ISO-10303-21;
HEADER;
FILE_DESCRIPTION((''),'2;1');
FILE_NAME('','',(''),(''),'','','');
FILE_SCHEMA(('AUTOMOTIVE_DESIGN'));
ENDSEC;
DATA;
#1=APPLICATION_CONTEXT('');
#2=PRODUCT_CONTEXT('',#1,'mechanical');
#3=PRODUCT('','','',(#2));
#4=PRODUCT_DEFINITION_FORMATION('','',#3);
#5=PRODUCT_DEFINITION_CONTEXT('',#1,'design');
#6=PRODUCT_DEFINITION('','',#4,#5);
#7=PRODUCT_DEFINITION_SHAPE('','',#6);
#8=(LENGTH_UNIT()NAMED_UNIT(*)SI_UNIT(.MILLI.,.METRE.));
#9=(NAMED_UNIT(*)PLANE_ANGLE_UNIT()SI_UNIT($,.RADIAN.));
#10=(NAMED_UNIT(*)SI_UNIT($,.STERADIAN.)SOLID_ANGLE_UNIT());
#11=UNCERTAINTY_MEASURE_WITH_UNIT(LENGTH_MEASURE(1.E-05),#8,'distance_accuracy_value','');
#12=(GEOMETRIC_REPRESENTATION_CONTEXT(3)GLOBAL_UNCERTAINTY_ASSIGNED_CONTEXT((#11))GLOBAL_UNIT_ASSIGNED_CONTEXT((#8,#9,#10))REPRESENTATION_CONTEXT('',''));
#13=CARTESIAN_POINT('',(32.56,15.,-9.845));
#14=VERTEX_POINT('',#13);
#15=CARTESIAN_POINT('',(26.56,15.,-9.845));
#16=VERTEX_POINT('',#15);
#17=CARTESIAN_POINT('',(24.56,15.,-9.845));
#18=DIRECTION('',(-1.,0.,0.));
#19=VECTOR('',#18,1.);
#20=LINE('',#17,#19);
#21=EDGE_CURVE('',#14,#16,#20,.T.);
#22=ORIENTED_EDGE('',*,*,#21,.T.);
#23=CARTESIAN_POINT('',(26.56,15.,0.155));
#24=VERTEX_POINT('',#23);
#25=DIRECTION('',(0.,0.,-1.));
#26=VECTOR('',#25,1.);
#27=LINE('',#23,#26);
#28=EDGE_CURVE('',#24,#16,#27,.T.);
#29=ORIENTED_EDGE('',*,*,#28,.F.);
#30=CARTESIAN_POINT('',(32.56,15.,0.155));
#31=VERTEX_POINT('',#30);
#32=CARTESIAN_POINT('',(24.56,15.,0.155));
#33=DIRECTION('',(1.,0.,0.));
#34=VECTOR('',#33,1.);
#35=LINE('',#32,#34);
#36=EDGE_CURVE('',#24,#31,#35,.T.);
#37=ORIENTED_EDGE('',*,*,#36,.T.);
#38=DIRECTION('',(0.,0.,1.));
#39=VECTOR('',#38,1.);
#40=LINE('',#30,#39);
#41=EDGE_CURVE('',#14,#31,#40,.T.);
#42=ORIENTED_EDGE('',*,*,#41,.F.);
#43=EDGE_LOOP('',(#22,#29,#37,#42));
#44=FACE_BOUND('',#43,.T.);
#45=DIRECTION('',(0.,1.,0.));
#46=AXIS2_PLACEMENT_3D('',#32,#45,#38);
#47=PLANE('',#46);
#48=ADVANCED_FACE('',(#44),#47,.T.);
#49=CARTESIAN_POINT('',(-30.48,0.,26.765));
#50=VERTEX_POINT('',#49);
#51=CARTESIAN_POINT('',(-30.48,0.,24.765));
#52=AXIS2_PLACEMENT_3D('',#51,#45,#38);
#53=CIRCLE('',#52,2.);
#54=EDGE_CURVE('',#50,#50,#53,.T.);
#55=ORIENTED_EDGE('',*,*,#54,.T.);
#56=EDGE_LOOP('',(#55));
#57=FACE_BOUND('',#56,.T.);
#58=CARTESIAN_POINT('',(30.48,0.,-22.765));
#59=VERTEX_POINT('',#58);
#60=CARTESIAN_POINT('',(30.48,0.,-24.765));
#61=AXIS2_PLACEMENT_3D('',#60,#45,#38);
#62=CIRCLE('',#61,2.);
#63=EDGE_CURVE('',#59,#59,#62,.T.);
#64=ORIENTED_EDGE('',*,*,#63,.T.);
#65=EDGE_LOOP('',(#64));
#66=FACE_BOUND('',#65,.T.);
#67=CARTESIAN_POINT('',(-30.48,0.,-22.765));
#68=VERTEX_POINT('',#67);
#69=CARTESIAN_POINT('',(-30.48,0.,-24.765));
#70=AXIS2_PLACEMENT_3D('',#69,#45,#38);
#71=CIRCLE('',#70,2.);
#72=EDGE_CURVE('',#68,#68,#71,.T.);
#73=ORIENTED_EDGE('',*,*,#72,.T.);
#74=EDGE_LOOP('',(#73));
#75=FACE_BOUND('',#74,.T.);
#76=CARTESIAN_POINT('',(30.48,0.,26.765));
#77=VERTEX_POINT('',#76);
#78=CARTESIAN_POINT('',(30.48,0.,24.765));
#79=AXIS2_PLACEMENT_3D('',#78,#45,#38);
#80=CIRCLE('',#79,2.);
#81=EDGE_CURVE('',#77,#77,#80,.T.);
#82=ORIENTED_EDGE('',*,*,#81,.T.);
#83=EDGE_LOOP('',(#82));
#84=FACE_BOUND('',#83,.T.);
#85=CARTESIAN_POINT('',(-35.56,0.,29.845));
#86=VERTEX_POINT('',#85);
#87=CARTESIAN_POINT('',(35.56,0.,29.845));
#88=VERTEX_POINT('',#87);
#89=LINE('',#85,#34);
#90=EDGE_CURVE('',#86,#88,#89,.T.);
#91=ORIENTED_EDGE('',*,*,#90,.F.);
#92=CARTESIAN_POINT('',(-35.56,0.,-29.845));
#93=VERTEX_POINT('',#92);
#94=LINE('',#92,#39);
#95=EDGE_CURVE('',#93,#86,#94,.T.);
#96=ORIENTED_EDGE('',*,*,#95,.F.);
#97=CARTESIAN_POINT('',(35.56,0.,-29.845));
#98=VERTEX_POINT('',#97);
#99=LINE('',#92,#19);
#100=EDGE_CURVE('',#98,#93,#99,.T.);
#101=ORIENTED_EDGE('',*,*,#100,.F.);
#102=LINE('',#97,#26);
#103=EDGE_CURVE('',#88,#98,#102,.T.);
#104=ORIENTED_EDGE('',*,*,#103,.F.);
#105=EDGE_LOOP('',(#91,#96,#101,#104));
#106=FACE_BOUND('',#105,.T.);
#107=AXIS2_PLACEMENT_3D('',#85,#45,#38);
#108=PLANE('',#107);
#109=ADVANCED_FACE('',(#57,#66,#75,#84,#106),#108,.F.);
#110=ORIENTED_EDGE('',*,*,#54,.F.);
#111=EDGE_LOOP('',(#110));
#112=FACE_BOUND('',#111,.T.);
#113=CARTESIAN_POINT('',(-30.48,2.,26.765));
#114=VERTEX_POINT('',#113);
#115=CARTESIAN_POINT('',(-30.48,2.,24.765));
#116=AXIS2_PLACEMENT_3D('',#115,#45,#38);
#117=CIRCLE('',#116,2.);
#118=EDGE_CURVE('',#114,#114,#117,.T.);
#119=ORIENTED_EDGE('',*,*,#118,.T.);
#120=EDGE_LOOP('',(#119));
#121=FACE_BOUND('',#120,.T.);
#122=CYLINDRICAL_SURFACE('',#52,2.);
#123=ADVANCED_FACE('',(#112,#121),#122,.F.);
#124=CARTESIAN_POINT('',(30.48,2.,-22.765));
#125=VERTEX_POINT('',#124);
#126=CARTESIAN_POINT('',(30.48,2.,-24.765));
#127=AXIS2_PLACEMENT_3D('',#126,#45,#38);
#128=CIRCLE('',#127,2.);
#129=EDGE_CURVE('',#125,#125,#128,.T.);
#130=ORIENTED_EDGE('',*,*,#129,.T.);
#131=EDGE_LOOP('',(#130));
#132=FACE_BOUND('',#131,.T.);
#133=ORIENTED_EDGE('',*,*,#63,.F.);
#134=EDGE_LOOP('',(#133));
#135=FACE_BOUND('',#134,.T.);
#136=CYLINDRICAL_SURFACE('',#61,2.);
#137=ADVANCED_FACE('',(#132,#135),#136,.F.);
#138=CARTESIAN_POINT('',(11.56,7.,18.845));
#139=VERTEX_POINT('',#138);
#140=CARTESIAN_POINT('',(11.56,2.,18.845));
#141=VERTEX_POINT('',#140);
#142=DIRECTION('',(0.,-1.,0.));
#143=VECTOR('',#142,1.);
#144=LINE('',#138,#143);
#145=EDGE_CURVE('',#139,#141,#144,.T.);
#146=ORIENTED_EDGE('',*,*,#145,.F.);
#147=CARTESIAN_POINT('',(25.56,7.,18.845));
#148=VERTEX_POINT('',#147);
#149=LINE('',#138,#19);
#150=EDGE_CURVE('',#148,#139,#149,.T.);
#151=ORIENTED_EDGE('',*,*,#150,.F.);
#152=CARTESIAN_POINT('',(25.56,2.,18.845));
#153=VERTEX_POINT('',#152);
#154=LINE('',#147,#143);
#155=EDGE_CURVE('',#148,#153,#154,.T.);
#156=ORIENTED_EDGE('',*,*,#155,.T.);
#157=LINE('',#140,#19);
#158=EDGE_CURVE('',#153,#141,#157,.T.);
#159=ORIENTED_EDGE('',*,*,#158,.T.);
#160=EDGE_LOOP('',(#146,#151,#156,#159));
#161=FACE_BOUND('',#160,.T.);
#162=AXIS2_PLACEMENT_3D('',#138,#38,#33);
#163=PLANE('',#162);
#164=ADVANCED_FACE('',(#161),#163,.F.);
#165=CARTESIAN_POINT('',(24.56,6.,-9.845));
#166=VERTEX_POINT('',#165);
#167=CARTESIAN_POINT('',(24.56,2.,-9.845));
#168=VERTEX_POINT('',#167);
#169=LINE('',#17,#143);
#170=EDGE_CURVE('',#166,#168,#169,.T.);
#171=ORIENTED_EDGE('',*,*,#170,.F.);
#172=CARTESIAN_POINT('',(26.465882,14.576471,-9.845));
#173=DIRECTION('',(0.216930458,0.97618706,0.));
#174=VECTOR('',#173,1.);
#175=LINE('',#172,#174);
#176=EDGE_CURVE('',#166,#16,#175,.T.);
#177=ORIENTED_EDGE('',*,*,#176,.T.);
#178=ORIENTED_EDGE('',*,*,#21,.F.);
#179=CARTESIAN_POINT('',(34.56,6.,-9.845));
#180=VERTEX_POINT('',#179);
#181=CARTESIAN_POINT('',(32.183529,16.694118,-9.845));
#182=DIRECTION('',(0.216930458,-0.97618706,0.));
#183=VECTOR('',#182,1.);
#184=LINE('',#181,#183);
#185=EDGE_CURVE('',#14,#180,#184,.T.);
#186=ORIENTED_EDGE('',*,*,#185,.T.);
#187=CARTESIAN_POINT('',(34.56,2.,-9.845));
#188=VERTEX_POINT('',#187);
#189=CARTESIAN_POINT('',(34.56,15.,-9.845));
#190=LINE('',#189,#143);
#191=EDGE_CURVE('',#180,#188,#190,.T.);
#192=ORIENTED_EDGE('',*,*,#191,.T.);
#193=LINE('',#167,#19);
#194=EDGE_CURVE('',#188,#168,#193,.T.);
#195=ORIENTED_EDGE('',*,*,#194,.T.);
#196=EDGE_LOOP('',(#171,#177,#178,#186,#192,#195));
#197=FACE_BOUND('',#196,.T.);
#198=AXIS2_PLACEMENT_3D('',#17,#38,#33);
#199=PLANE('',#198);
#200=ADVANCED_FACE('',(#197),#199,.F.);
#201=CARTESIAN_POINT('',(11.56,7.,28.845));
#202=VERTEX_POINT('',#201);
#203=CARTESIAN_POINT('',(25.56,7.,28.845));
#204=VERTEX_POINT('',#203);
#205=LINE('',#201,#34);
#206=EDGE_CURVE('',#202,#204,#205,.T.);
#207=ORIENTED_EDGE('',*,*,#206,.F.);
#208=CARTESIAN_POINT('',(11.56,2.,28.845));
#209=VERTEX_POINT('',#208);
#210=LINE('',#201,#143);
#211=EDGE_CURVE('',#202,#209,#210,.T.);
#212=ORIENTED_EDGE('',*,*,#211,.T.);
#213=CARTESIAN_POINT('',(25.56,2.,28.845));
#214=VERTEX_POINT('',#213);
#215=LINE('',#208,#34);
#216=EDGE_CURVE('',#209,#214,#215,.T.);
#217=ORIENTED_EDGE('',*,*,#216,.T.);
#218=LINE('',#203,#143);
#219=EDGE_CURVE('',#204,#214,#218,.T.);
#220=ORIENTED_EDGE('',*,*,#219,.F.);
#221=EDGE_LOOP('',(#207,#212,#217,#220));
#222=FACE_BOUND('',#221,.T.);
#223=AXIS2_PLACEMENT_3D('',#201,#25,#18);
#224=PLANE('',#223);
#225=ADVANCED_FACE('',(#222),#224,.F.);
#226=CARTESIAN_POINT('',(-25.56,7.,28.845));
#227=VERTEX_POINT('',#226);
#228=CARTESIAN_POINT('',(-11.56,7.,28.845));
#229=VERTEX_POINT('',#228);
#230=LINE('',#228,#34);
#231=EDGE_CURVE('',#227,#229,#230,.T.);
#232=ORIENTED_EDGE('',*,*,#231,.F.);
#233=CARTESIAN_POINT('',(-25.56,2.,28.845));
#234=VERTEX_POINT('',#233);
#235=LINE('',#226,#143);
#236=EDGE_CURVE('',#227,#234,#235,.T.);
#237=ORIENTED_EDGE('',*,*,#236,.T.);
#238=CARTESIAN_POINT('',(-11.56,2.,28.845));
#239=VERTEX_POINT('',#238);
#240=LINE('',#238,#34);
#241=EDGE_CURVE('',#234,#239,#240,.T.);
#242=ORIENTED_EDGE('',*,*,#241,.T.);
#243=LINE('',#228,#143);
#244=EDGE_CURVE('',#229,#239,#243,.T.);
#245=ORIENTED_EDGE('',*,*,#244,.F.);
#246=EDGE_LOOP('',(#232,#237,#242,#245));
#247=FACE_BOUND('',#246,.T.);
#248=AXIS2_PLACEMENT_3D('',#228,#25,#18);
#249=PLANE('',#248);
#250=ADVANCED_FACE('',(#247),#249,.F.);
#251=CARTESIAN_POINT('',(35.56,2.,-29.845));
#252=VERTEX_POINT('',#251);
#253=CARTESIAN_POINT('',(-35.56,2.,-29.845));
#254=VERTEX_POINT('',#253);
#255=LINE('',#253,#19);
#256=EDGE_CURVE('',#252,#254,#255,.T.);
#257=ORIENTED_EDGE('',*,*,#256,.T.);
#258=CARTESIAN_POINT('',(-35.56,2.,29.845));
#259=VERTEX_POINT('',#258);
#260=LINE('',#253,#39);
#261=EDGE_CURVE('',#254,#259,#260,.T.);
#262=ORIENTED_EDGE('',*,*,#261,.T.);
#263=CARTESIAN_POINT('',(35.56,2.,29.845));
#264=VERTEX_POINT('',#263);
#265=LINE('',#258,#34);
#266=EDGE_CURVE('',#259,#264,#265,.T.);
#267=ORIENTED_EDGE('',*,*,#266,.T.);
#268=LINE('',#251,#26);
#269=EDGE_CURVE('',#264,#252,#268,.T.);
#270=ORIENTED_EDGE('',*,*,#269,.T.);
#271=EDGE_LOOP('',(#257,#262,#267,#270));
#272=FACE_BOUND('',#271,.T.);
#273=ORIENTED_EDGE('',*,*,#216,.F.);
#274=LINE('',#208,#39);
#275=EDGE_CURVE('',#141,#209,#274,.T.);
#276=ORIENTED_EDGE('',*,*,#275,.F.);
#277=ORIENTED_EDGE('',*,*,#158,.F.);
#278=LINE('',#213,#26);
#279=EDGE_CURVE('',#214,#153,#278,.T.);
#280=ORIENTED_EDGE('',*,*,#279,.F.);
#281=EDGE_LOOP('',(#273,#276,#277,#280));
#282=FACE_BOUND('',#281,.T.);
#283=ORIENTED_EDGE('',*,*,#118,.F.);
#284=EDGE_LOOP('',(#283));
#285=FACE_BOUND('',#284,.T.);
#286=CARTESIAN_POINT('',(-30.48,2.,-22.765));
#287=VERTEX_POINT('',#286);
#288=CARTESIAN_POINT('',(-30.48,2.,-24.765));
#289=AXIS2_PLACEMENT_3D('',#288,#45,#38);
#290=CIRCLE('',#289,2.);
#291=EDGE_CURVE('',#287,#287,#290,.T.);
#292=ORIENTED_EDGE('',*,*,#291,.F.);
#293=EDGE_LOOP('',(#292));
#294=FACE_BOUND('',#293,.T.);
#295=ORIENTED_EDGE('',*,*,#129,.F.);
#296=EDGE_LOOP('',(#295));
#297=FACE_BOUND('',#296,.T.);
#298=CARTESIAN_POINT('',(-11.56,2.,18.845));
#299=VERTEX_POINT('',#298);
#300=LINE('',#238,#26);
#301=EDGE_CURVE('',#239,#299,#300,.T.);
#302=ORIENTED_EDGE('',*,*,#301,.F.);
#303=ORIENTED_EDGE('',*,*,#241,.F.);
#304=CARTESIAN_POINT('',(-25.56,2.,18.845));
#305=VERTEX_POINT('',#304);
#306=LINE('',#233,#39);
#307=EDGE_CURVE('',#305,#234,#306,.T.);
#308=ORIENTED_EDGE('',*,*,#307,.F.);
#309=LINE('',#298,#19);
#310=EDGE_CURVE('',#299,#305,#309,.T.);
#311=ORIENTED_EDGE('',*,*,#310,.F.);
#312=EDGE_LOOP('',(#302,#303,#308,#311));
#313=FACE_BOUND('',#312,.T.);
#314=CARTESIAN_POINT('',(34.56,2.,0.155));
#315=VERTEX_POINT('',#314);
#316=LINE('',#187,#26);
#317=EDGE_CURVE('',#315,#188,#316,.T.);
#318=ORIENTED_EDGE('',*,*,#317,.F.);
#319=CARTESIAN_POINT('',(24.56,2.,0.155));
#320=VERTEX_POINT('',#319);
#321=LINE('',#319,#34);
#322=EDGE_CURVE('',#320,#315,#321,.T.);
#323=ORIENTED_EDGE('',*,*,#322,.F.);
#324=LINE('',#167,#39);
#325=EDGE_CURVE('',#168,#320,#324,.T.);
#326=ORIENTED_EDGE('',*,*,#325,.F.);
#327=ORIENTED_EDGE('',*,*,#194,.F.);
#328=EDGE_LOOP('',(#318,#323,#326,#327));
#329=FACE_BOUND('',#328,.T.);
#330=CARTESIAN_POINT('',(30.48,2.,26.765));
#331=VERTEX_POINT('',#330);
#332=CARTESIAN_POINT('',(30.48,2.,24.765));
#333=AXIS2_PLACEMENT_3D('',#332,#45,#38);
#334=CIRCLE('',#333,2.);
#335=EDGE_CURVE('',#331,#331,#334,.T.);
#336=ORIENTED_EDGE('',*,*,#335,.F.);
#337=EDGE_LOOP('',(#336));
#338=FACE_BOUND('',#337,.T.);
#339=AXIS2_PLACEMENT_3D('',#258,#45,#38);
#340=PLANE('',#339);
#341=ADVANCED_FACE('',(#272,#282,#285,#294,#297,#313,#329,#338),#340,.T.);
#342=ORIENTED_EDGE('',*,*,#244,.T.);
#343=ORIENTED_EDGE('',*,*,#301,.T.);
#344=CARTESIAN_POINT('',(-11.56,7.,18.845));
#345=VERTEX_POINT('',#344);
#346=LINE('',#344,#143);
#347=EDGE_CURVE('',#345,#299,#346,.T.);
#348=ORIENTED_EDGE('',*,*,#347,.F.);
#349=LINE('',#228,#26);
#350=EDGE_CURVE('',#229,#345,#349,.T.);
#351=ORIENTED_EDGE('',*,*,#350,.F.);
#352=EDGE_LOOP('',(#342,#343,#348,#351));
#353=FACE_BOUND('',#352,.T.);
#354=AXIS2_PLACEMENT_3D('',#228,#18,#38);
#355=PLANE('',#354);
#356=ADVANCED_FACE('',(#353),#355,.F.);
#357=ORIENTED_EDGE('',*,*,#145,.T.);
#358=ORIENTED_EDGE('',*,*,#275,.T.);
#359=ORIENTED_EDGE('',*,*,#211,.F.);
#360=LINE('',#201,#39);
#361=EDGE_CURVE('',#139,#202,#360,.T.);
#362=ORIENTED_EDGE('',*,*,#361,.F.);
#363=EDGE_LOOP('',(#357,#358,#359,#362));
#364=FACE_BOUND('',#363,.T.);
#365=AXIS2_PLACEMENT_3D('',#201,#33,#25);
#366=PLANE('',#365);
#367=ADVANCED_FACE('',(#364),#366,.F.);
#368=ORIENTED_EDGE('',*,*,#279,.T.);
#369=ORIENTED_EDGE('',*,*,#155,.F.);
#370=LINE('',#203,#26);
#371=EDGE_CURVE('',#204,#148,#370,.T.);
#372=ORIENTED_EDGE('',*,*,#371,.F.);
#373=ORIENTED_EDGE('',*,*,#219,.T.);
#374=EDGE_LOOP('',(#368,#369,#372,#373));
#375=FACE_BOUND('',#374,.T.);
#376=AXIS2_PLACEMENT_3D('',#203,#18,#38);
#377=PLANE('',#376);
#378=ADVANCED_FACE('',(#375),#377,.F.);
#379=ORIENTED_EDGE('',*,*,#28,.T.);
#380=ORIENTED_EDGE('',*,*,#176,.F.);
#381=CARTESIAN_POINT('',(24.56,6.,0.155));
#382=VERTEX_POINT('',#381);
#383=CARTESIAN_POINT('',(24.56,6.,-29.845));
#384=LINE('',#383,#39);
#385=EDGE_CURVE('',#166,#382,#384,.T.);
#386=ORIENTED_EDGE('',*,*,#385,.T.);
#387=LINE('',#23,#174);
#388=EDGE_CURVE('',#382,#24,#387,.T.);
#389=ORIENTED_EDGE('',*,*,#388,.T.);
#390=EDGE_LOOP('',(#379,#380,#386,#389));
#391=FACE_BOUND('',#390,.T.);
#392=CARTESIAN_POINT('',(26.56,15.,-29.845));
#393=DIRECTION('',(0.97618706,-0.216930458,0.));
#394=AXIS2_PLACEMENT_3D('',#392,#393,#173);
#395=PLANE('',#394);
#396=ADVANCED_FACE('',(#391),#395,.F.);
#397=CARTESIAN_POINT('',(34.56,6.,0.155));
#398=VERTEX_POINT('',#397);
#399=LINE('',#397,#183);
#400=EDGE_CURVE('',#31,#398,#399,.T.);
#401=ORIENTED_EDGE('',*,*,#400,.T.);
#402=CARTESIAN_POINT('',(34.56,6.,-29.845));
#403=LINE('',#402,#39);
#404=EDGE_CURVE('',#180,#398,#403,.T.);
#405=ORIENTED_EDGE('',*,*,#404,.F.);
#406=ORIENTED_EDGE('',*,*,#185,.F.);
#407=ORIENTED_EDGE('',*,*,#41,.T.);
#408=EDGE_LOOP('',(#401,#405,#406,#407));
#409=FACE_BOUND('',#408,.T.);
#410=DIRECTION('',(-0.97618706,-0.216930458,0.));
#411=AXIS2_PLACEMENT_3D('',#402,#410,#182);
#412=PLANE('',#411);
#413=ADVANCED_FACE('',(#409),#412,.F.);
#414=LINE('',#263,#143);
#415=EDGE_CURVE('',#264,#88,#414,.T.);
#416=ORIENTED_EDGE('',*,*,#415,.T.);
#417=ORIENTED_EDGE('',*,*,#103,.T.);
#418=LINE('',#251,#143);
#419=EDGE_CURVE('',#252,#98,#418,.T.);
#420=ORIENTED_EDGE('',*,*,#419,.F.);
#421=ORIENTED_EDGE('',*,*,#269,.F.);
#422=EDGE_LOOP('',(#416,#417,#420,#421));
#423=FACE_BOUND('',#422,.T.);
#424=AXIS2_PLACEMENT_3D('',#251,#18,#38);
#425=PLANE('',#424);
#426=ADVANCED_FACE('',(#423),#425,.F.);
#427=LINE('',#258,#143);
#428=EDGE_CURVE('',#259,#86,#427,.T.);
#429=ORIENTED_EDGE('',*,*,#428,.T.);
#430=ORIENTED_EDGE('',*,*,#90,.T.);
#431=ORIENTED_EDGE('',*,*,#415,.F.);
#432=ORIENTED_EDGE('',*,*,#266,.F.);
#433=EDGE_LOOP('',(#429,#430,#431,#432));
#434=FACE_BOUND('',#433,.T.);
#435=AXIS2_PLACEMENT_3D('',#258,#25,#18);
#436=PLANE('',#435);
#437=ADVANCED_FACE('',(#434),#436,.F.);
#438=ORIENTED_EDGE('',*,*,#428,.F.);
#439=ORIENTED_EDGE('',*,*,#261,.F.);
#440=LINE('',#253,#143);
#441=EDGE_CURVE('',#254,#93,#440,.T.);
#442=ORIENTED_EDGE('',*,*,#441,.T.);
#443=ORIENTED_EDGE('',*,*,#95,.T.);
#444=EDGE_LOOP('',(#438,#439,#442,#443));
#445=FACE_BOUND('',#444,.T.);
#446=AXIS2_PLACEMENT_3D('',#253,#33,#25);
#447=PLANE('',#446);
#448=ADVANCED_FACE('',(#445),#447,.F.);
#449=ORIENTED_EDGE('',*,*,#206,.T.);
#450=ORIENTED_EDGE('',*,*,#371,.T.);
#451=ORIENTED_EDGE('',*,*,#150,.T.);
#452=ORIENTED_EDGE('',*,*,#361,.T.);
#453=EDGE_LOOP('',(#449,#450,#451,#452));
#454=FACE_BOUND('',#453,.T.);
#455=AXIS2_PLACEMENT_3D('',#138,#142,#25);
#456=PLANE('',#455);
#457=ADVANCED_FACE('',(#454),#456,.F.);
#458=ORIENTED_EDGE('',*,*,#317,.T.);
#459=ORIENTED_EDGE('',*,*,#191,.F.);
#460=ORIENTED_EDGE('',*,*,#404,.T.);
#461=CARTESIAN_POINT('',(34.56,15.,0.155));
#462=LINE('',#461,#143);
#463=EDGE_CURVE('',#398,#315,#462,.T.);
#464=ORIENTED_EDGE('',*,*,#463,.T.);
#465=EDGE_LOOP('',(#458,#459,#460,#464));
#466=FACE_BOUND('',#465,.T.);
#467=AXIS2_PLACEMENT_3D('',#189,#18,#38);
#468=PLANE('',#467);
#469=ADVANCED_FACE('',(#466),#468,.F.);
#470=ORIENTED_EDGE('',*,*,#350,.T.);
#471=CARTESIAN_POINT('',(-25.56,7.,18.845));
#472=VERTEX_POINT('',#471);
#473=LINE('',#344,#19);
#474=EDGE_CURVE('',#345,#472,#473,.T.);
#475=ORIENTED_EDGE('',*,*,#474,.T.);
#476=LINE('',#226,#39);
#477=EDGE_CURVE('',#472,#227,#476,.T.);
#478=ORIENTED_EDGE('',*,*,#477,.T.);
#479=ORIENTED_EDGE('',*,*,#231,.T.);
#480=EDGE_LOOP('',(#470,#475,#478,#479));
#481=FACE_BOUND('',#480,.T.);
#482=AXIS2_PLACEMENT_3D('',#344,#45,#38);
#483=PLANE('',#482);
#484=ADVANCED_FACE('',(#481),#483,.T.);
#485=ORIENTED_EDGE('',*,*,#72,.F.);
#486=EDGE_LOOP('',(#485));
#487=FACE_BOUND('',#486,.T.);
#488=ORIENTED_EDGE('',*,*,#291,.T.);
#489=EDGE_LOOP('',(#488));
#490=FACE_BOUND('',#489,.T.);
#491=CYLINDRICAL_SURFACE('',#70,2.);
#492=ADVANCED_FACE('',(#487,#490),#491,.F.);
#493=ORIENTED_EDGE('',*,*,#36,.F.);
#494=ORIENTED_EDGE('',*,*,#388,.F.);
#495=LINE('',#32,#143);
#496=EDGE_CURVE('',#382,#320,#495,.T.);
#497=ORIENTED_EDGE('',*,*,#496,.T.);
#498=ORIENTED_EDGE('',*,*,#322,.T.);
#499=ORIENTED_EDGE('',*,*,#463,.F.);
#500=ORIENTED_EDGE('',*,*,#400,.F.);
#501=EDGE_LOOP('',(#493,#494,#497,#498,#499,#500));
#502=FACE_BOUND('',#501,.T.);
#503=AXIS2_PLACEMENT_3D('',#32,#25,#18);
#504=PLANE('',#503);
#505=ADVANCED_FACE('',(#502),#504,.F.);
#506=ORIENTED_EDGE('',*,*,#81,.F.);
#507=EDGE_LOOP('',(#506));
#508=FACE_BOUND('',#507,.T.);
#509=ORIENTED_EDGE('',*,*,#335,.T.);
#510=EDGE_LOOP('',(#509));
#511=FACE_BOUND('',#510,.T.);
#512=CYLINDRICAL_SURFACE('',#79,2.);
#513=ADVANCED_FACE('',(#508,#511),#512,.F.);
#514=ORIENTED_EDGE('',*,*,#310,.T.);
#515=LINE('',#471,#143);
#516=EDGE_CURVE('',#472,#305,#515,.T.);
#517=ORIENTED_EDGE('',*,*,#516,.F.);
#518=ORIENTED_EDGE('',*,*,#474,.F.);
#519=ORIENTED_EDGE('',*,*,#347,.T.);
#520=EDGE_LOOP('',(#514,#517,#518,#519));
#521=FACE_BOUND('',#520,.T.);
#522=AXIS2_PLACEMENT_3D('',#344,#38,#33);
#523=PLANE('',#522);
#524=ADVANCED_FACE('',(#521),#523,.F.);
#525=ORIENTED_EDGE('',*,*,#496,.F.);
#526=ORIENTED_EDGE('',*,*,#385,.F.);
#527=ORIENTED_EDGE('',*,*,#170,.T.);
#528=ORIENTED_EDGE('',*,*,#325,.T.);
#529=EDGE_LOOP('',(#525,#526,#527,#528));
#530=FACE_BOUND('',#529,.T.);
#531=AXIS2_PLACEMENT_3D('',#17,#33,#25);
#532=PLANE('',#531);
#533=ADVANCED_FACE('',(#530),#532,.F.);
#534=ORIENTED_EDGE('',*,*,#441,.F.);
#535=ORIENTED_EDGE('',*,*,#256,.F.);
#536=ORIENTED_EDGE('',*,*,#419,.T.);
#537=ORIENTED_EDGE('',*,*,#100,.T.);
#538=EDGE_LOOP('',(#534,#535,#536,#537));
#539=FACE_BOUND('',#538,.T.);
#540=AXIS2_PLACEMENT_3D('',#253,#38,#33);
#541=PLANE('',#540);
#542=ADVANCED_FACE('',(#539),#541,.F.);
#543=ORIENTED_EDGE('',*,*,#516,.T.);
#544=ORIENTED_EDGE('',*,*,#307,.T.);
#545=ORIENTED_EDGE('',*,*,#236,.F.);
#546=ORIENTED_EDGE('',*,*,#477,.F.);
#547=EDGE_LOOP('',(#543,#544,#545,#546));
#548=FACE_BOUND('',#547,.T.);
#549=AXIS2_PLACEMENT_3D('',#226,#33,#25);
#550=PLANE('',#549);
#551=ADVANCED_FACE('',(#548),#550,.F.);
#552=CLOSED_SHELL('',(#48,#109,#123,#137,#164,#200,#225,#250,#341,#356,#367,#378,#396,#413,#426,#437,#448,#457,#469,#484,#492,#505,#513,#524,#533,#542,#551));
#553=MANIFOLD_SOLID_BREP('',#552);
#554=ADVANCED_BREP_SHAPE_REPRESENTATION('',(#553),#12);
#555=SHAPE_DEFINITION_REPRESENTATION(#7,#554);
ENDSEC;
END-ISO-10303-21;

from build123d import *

# Parameters (mm, degrees)
SKETCH1_W           = 71.12
SKETCH1_H           = 59.69
BOSS_EXTRUDE1_DEPTH = 2
SKETCH2_R           = 2
CUT_EXTRUDE1_DEPTH  = 2
SKETCH3_W           = 14
SKETCH3_H           = 10
BOSS_EXTRUDE2_DEPTH = 5
SKETCH4_W           = 10
SKETCH4_H           = 10
BOSS_EXTRUDE3_DEPTH = 13
CUT_EXTRUDE2_DEPTH  = 31


with BuildPart() as part:
    # Sketch1 → Boss-Extrude1 (new body)
    with BuildSketch(Plane(origin=(0, 0, 0), x_dir=(1, 0, 0), z_dir=(0, 1, 0))):
        Rectangle(SKETCH1_W, SKETCH1_H)
    extrude(amount=BOSS_EXTRUDE1_DEPTH)

    # Sketch2 → Cut-Extrude1 (cut)
    with BuildSketch(Plane(origin=(0, 2, 0), x_dir=(1, 0, 0), z_dir=(0, 1, 0))):
        with Locations((-30.48, 24.765)):
            Circle(SKETCH2_R)
        with Locations((30.48, 24.765)):
            Circle(SKETCH2_R)
        with Locations((30.48, -24.765)):
            Circle(SKETCH2_R)
        with Locations((-30.48, -24.765)):
            Circle(SKETCH2_R)
    extrude(amount=-CUT_EXTRUDE1_DEPTH, mode=Mode.SUBTRACT)

    # Sketch3 → Boss-Extrude2 (add)
    with BuildSketch(Plane(origin=(0, 2, 0), x_dir=(1, 0, 0), z_dir=(0, 1, 0))):
        with Locations((-18.56, -23.845)):
            Rectangle(SKETCH3_W, SKETCH3_H)
        with Locations((18.56, -23.845)):
            Rectangle(SKETCH3_W, SKETCH3_H)
    extrude(amount=BOSS_EXTRUDE2_DEPTH)

    # Sketch4 → Boss-Extrude3 (add)
    with BuildSketch(Plane(origin=(0, 2, 0), x_dir=(1, 0, 0), z_dir=(0, 1, 0))):
        with Locations((29.56, 4.845)):
            Rectangle(SKETCH4_W, SKETCH4_H)
    extrude(amount=BOSS_EXTRUDE3_DEPTH)

    # Sketch7 → Cut-Extrude2 (cut, through all)
    with BuildSketch(Plane.XY.offset(0.155)):
        Polygon((26.56, 15), (24.56, 6), (24.56, 15), align=None)
        Polygon((34.56, 6), (32.56, 15), (34.56, 15), align=None)
    extrude(amount=-CUT_EXTRUDE2_DEPTH, mode=Mode.SUBTRACT)


solid = part.part
